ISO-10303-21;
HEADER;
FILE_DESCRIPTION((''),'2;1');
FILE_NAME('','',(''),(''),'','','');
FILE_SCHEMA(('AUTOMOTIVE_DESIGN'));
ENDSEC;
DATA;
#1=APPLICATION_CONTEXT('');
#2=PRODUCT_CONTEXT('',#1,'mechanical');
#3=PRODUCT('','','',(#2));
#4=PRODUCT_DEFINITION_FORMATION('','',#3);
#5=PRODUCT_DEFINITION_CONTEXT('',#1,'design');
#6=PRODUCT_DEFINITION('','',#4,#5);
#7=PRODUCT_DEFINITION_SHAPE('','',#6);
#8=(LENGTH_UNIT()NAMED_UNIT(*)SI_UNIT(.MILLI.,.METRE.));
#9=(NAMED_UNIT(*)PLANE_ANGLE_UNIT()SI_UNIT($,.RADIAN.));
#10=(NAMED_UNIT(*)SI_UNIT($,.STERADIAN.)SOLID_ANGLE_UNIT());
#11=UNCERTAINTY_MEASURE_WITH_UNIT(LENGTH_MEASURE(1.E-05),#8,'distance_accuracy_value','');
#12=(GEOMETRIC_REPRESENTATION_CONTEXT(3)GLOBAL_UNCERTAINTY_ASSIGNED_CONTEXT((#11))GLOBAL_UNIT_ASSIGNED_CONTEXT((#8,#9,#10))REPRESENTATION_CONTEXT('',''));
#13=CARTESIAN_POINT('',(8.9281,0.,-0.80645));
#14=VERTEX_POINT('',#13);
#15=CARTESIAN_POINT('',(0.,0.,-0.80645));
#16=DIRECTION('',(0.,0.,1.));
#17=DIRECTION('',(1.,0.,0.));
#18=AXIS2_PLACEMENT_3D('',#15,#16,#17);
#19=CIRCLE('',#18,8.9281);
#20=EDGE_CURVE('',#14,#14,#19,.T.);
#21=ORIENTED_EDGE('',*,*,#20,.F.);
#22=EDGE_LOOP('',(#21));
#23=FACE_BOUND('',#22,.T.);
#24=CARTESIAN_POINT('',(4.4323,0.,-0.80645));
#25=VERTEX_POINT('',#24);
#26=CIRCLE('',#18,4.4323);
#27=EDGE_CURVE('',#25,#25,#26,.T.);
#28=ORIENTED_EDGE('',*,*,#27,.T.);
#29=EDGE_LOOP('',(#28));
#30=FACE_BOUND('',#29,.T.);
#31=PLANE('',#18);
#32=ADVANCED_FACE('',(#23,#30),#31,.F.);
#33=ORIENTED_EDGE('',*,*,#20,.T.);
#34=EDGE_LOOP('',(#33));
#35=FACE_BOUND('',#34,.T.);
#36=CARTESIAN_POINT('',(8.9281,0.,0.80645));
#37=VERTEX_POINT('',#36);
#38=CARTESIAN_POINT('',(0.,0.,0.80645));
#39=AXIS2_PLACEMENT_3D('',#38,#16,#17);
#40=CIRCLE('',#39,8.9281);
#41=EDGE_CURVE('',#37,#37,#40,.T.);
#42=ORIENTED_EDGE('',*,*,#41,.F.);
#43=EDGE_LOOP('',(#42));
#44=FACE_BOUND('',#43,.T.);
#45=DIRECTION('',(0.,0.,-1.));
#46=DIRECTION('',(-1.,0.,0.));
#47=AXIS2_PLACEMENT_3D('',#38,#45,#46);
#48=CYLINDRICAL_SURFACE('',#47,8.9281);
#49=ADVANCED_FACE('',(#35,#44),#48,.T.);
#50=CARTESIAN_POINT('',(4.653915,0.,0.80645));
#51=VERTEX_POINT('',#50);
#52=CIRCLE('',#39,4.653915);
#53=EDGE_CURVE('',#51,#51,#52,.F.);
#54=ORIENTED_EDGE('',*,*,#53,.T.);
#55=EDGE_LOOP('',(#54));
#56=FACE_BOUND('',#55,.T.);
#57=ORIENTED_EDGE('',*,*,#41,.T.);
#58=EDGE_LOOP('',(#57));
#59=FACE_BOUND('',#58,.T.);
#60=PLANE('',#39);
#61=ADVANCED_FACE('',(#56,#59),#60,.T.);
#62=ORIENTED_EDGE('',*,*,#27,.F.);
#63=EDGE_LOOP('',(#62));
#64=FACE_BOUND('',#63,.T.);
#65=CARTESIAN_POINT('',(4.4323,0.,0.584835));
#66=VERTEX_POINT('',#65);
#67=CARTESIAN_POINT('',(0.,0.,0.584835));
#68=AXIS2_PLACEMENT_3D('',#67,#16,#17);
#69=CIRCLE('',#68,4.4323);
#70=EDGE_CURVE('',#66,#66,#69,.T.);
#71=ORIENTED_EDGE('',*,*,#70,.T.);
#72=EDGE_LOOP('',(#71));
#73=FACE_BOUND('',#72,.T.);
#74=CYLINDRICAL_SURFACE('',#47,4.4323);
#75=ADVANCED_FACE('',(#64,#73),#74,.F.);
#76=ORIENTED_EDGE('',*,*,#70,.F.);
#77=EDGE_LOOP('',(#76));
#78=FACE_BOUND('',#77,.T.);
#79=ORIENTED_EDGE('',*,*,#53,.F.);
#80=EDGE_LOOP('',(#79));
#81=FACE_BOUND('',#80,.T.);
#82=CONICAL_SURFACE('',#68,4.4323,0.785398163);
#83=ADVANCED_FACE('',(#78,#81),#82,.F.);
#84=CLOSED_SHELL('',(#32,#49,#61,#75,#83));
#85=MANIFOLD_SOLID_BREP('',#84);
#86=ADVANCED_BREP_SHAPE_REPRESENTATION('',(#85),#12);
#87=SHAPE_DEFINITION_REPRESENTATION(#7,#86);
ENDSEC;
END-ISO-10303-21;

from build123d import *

# Parameters (mm, degrees)
SKETCH3_R           = 8.9281
SKETCH3_R_2         = 4.4323
BOSS_EXTRUDE1_DEPTH = 0.80645
CHAMFER1_SIZE       = 0.221615


with BuildPart() as part:
    # Sketch3 → Boss-Extrude1 (new, symmetric)
    with BuildSketch(Plane.XY):
        Circle(SKETCH3_R)
        Circle(SKETCH3_R_2, mode=Mode.SUBTRACT)
    extrude(amount=BOSS_EXTRUDE1_DEPTH, both=True)

    # Chamfer1
    chamfer1_edges = [part.edges().sort_by_distance(p)[0] for p in [
        (-4.4323, 0, 0.80645),
    ]]
    chamfer(chamfer1_edges, length=CHAMFER1_SIZE)


solid = part.part
